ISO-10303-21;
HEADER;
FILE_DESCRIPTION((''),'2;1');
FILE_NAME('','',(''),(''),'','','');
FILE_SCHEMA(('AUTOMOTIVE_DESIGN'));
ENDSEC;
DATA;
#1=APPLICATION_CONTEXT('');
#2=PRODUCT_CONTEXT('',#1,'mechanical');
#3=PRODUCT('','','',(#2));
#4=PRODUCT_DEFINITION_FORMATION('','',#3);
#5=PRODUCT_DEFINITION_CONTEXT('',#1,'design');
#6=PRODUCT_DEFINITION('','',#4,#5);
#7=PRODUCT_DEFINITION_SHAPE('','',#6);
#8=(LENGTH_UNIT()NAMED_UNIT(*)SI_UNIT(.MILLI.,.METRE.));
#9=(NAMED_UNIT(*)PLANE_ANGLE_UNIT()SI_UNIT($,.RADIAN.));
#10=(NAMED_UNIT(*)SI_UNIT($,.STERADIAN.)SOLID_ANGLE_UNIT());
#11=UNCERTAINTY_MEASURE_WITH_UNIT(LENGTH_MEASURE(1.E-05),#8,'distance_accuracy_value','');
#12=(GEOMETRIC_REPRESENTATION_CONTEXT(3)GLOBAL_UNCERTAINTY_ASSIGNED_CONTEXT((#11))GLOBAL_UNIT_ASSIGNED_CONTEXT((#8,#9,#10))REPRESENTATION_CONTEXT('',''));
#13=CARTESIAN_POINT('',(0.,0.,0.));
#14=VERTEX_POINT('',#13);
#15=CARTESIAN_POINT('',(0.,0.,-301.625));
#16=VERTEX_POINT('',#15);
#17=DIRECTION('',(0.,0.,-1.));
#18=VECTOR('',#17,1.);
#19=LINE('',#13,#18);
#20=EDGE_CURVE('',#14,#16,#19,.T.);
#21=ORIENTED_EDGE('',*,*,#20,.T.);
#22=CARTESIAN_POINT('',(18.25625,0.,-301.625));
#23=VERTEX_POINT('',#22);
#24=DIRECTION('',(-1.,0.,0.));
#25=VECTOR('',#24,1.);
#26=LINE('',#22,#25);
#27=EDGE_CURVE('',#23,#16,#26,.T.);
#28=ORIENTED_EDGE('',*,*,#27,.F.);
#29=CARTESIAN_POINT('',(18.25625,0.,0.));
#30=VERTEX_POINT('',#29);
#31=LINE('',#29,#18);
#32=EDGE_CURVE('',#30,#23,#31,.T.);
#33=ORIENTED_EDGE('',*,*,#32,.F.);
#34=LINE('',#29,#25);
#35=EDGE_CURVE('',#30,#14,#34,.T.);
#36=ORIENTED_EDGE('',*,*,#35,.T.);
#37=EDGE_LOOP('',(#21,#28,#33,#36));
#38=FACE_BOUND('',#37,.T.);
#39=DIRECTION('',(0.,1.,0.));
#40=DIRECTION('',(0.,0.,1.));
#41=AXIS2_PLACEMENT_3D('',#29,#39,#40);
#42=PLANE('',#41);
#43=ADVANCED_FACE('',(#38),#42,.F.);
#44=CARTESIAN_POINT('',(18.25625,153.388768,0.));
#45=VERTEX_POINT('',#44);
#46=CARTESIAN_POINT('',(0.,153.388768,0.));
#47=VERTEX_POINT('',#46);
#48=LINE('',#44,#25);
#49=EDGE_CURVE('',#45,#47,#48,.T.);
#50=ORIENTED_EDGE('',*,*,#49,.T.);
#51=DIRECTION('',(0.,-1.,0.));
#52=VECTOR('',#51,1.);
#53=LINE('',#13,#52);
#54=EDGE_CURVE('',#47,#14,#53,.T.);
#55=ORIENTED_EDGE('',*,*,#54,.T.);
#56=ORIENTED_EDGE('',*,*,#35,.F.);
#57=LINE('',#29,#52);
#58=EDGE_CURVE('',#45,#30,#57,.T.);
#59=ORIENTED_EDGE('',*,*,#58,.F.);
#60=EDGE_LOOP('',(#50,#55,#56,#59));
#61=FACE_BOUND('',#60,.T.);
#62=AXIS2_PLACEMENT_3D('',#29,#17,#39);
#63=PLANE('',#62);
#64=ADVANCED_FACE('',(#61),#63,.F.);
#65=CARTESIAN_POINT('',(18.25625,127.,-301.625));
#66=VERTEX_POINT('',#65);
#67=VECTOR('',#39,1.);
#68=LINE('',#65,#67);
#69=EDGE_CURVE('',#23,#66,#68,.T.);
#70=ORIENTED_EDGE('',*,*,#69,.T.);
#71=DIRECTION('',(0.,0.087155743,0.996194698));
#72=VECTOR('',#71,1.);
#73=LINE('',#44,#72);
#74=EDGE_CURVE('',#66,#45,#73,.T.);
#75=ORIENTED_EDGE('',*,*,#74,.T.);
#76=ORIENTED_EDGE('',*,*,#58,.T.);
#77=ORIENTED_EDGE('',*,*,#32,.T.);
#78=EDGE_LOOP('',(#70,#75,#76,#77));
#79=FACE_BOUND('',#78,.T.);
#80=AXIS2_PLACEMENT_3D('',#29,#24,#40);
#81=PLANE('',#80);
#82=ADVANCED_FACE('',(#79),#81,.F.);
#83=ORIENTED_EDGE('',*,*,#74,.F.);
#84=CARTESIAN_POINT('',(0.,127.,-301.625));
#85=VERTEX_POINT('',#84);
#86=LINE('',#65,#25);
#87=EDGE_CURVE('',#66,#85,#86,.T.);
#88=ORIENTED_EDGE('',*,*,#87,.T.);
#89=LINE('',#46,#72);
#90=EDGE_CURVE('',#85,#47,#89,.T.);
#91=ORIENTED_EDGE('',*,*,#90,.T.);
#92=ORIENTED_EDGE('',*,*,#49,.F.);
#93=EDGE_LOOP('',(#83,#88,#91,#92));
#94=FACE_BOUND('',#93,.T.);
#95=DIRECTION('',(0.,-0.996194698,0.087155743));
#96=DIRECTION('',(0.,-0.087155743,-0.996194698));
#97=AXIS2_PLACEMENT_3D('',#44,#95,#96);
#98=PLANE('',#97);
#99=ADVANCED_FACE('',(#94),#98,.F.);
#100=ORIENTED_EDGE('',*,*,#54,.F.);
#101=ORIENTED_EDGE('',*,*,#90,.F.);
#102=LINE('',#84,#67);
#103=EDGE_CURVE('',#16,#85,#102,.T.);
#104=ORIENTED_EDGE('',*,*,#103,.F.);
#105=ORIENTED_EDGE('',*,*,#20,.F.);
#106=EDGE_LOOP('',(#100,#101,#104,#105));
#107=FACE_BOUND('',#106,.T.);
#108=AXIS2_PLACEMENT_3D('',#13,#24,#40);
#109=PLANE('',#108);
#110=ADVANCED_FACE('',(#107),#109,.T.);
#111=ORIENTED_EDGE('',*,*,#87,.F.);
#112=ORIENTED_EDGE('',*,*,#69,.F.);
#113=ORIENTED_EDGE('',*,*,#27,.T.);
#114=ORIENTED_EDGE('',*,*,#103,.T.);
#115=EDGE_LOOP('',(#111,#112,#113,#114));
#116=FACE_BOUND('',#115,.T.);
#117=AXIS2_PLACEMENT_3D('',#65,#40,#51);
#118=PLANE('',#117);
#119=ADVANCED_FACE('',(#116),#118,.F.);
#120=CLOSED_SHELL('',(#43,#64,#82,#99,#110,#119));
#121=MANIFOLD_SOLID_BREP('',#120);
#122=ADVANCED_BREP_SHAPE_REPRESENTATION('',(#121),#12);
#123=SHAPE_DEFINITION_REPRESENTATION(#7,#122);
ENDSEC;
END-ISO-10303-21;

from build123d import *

# Parameters (mm, degrees)
BOSS_EXTRUDE1_DEPTH = 18.25625


with BuildPart() as part:
    # Sketch1 → Boss-Extrude1 (new body)
    with BuildSketch(Plane(origin=(0, 0, 0), x_dir=(0, 0, -1), z_dir=(1, 0, 0))):
        Polygon((0, 0), (301.625, 0), (301.625, 127), (0, 153.388768136), align=None)
    extrude(amount=BOSS_EXTRUDE1_DEPTH)


solid = part.part
